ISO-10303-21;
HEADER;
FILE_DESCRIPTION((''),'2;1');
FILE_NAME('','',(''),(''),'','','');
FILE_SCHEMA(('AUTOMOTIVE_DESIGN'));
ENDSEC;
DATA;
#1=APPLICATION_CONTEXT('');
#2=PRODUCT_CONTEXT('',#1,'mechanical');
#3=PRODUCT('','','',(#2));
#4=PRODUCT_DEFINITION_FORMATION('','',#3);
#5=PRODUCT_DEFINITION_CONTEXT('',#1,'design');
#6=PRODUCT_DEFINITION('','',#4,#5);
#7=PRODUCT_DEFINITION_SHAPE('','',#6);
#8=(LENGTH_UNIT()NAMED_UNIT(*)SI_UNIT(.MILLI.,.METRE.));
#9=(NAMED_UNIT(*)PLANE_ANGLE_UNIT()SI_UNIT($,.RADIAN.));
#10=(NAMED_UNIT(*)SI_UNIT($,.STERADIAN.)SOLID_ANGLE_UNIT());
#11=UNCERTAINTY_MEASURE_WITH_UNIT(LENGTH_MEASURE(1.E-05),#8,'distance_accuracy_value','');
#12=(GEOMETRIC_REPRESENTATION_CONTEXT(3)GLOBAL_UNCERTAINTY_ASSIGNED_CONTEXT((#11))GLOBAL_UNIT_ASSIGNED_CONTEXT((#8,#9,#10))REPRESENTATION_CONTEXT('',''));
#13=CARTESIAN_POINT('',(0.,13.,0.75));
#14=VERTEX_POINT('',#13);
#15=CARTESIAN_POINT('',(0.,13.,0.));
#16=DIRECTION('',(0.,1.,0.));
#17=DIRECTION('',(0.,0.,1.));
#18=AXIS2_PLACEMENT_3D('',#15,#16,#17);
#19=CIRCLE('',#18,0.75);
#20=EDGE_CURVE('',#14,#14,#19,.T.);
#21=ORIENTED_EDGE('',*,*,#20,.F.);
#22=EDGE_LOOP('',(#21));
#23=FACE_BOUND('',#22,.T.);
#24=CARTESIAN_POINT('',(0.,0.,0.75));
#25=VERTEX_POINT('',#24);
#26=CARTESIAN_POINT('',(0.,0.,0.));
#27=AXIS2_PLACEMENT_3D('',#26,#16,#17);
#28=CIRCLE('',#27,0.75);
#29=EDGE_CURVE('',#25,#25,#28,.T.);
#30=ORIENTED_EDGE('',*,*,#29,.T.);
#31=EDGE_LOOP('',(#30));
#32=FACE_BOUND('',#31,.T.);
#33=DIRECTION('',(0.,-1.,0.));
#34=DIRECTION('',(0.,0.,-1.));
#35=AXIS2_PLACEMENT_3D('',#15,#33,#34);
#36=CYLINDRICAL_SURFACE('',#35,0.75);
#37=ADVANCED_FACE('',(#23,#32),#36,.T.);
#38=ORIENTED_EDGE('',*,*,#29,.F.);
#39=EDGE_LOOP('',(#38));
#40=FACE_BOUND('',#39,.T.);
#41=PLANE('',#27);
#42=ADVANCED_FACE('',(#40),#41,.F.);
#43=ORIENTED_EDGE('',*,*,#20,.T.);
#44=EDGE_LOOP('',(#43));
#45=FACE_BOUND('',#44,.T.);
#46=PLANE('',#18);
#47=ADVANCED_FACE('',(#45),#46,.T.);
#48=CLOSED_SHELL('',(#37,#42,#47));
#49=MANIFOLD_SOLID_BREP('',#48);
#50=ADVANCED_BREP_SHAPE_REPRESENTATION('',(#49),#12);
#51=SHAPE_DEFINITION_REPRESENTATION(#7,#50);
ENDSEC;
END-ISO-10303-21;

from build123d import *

# Parameters (mm, degrees)
SKETCH1_R           = 0.75
BOSS_EXTRUDE1_DEPTH = 13


with BuildPart() as part:
    # Sketch1 → Boss-Extrude1 (new body)
    with BuildSketch(Plane(origin=(0, 0, 0), x_dir=(1, 0, 0), z_dir=(0, 1, 0))):
        Circle(SKETCH1_R)
    extrude(amount=BOSS_EXTRUDE1_DEPTH)


solid = part.part
